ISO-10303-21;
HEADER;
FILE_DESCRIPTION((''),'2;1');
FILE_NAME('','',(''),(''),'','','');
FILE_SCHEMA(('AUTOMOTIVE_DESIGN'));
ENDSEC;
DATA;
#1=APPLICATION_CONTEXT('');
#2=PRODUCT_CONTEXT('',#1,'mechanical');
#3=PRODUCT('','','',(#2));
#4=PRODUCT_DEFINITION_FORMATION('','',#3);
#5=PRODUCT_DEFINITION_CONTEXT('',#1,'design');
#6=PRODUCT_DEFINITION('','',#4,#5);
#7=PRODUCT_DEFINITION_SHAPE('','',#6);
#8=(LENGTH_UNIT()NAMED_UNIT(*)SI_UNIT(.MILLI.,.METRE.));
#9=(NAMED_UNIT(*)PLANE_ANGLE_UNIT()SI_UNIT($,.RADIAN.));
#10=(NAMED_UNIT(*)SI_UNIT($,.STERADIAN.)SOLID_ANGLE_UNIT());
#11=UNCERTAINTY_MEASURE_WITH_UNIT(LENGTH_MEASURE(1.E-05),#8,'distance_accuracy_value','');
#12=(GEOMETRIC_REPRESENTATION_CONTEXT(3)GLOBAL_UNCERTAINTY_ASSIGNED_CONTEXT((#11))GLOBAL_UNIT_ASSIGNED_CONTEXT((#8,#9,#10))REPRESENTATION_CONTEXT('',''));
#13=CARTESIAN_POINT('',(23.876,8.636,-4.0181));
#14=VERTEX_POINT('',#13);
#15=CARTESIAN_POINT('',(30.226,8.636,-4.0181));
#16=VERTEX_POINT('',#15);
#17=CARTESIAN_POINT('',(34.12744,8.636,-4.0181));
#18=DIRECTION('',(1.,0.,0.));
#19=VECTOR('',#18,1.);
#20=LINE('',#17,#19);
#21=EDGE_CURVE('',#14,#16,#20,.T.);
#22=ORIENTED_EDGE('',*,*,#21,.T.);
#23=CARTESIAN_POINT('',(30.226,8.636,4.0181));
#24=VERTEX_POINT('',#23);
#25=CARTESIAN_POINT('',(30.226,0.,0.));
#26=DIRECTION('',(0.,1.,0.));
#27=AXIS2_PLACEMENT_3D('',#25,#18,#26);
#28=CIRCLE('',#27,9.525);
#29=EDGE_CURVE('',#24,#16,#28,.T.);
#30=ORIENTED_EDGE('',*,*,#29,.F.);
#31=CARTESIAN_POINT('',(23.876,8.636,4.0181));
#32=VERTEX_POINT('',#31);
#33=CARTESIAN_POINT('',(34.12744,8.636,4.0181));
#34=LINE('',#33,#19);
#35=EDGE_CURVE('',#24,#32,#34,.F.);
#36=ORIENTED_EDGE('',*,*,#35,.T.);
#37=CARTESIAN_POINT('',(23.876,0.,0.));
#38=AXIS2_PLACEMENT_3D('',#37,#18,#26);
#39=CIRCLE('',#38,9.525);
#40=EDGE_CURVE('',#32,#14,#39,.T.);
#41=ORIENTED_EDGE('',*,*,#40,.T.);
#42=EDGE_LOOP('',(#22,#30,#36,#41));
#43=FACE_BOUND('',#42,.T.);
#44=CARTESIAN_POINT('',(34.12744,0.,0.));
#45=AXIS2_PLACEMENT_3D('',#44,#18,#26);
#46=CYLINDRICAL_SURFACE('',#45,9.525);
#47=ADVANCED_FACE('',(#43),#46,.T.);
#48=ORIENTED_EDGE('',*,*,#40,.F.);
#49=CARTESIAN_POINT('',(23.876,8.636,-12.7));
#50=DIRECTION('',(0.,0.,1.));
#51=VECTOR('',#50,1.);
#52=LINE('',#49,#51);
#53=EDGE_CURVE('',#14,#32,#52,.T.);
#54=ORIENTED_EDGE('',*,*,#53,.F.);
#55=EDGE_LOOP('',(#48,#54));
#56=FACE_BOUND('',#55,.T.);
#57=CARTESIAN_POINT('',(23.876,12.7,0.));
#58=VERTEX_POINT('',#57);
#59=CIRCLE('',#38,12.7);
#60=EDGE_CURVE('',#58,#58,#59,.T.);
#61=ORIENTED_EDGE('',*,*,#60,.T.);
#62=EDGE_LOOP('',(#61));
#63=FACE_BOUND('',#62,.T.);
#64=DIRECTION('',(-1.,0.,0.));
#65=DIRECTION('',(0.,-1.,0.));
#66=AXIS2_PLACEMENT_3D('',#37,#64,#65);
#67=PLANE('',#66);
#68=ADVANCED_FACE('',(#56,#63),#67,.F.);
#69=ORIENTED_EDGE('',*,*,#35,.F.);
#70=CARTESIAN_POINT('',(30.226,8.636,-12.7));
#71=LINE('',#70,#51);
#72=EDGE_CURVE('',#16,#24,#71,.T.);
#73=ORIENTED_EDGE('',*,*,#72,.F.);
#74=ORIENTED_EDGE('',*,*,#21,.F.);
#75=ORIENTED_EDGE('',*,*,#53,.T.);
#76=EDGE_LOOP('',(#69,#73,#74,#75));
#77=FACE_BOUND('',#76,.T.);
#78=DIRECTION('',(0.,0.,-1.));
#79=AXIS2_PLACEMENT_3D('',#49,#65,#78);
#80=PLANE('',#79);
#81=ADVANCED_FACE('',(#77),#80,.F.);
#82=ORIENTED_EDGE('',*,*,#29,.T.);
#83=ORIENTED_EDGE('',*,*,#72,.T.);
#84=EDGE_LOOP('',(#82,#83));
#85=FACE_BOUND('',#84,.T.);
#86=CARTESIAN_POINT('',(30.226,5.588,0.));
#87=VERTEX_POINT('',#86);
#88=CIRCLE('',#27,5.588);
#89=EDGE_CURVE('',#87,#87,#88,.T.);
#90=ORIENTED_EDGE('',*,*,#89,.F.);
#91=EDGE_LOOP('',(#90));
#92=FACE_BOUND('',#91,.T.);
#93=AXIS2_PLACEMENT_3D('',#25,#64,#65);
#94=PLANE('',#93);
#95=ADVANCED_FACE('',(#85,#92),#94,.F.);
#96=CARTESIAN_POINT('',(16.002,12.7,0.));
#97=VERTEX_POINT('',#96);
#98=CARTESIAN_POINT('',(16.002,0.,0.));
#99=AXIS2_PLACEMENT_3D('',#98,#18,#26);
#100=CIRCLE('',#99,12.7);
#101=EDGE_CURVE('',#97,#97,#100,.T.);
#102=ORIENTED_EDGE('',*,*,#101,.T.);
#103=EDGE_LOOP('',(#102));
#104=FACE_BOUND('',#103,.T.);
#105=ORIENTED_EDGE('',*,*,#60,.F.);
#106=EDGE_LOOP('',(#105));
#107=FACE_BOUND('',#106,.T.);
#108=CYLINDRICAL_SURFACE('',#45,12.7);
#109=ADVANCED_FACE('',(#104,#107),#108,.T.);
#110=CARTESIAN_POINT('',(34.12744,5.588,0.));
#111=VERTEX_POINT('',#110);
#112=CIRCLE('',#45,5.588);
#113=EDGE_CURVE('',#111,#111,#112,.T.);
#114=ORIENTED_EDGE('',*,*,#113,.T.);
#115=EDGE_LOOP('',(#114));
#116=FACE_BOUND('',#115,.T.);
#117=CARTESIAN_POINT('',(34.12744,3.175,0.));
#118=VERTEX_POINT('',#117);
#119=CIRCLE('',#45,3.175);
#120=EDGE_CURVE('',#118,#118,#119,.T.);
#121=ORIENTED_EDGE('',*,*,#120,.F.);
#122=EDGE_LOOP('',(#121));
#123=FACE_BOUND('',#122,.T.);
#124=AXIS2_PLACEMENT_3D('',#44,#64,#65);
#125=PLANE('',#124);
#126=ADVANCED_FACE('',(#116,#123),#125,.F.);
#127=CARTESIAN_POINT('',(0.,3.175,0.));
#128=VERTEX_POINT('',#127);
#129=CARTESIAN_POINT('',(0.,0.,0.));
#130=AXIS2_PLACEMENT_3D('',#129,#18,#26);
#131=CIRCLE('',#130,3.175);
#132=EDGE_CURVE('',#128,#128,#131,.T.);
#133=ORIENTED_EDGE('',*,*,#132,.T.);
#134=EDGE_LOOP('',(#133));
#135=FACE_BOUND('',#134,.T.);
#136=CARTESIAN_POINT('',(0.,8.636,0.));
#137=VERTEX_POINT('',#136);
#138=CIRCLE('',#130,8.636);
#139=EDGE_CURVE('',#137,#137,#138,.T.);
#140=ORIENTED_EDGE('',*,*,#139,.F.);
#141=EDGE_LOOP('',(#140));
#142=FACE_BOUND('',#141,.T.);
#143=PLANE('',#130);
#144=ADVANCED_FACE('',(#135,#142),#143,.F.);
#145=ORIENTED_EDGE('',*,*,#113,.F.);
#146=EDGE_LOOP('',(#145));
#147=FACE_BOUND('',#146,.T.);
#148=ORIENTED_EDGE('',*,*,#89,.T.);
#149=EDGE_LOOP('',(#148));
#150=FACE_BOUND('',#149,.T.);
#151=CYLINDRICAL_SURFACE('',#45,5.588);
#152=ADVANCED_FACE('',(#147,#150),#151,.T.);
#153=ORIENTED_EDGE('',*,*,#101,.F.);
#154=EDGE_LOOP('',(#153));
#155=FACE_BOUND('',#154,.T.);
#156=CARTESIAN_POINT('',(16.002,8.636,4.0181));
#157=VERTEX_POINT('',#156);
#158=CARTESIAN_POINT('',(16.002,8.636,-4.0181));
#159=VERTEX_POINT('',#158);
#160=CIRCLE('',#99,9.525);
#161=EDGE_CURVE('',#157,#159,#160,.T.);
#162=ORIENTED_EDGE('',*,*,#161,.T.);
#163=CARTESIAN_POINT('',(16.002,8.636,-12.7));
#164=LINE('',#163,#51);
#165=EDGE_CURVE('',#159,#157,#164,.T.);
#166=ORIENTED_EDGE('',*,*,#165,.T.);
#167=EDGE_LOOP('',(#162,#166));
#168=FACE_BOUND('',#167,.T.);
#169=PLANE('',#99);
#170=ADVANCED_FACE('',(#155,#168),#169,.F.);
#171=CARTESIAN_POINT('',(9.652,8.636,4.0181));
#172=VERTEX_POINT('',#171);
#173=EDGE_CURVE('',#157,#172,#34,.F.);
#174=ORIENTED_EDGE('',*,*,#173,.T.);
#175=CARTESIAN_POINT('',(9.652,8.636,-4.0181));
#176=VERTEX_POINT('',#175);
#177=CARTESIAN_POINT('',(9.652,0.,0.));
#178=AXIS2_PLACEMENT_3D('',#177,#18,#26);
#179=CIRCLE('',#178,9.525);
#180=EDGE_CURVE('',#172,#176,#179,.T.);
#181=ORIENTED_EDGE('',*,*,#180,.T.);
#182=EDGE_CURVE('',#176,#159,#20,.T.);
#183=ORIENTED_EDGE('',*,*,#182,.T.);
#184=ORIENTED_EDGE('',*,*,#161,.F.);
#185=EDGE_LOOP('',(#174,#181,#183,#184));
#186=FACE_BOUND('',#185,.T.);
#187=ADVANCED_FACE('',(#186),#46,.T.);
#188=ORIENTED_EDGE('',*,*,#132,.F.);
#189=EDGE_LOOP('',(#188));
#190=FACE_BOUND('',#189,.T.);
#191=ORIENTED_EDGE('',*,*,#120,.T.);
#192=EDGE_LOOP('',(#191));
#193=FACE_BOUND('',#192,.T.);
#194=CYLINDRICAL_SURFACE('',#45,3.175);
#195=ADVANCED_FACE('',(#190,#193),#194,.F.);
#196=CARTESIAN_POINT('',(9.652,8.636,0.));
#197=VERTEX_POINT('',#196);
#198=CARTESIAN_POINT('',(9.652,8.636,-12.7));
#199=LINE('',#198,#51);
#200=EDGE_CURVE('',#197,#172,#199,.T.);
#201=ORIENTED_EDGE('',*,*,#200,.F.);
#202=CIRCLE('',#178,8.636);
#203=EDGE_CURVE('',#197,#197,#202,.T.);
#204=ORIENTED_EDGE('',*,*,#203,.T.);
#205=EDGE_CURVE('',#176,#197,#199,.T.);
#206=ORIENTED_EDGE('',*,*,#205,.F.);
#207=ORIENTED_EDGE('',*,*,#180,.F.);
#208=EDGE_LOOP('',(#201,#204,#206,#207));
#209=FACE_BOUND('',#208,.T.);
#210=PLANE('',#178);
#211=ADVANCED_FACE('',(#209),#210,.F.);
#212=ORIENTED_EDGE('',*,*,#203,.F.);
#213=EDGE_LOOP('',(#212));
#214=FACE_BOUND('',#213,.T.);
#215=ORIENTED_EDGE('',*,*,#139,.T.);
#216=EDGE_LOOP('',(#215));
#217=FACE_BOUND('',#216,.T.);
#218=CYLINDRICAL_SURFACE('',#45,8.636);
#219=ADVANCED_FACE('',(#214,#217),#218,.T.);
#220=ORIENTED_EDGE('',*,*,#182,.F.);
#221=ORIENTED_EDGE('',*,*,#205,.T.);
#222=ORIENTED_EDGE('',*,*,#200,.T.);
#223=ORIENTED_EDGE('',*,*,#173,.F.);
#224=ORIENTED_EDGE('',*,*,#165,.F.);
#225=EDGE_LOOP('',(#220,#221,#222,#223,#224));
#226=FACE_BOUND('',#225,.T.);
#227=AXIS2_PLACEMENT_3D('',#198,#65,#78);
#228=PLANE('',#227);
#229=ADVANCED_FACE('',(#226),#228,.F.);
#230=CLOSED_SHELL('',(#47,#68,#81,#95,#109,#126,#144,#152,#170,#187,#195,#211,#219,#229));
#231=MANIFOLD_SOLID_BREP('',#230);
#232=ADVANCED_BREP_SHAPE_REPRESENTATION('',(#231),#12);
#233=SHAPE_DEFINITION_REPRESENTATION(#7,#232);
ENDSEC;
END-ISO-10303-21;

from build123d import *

# Parameters (mm, degrees)
CUT_EXTRUDE1_DEPTH      = 39.565038065
CUT_EXTRUDE1_DEPTH_BACK = 39.565038065
SKETCH2_W               = 6.35
SKETCH2_H               = 0.889


with BuildPart() as part:
    # Sketch1 → Revolve1 (revolve)
    with BuildSketch(Plane.XY):
        Polygon((0, 8.636), (0, 3.175), (34.12744, 3.175), (34.12744, 5.588), (30.226, 5.588), (30.226, 9.525), (23.876, 9.525), (23.876, 12.7), (16.002, 12.7), (16.002, 9.525), (9.652, 9.525), (9.652, 8.636), align=None)
    revolve(axis=Axis((34.12744, 0, 0), (-1, 0, 0)))

    # Sketch2 → Cut-Extrude1 (cut, two sides: drawn at the far end of the back side and taken through both)
    with BuildSketch(Plane.XY.offset(-CUT_EXTRUDE1_DEPTH_BACK)):
        with Locations((12.827, 9.0805)):
            Rectangle(SKETCH2_W, SKETCH2_H)
        with Locations((27.051, 9.0805)):
            Rectangle(SKETCH2_W, SKETCH2_H)
    extrude(amount=CUT_EXTRUDE1_DEPTH + CUT_EXTRUDE1_DEPTH_BACK, mode=Mode.SUBTRACT)


solid = part.part
